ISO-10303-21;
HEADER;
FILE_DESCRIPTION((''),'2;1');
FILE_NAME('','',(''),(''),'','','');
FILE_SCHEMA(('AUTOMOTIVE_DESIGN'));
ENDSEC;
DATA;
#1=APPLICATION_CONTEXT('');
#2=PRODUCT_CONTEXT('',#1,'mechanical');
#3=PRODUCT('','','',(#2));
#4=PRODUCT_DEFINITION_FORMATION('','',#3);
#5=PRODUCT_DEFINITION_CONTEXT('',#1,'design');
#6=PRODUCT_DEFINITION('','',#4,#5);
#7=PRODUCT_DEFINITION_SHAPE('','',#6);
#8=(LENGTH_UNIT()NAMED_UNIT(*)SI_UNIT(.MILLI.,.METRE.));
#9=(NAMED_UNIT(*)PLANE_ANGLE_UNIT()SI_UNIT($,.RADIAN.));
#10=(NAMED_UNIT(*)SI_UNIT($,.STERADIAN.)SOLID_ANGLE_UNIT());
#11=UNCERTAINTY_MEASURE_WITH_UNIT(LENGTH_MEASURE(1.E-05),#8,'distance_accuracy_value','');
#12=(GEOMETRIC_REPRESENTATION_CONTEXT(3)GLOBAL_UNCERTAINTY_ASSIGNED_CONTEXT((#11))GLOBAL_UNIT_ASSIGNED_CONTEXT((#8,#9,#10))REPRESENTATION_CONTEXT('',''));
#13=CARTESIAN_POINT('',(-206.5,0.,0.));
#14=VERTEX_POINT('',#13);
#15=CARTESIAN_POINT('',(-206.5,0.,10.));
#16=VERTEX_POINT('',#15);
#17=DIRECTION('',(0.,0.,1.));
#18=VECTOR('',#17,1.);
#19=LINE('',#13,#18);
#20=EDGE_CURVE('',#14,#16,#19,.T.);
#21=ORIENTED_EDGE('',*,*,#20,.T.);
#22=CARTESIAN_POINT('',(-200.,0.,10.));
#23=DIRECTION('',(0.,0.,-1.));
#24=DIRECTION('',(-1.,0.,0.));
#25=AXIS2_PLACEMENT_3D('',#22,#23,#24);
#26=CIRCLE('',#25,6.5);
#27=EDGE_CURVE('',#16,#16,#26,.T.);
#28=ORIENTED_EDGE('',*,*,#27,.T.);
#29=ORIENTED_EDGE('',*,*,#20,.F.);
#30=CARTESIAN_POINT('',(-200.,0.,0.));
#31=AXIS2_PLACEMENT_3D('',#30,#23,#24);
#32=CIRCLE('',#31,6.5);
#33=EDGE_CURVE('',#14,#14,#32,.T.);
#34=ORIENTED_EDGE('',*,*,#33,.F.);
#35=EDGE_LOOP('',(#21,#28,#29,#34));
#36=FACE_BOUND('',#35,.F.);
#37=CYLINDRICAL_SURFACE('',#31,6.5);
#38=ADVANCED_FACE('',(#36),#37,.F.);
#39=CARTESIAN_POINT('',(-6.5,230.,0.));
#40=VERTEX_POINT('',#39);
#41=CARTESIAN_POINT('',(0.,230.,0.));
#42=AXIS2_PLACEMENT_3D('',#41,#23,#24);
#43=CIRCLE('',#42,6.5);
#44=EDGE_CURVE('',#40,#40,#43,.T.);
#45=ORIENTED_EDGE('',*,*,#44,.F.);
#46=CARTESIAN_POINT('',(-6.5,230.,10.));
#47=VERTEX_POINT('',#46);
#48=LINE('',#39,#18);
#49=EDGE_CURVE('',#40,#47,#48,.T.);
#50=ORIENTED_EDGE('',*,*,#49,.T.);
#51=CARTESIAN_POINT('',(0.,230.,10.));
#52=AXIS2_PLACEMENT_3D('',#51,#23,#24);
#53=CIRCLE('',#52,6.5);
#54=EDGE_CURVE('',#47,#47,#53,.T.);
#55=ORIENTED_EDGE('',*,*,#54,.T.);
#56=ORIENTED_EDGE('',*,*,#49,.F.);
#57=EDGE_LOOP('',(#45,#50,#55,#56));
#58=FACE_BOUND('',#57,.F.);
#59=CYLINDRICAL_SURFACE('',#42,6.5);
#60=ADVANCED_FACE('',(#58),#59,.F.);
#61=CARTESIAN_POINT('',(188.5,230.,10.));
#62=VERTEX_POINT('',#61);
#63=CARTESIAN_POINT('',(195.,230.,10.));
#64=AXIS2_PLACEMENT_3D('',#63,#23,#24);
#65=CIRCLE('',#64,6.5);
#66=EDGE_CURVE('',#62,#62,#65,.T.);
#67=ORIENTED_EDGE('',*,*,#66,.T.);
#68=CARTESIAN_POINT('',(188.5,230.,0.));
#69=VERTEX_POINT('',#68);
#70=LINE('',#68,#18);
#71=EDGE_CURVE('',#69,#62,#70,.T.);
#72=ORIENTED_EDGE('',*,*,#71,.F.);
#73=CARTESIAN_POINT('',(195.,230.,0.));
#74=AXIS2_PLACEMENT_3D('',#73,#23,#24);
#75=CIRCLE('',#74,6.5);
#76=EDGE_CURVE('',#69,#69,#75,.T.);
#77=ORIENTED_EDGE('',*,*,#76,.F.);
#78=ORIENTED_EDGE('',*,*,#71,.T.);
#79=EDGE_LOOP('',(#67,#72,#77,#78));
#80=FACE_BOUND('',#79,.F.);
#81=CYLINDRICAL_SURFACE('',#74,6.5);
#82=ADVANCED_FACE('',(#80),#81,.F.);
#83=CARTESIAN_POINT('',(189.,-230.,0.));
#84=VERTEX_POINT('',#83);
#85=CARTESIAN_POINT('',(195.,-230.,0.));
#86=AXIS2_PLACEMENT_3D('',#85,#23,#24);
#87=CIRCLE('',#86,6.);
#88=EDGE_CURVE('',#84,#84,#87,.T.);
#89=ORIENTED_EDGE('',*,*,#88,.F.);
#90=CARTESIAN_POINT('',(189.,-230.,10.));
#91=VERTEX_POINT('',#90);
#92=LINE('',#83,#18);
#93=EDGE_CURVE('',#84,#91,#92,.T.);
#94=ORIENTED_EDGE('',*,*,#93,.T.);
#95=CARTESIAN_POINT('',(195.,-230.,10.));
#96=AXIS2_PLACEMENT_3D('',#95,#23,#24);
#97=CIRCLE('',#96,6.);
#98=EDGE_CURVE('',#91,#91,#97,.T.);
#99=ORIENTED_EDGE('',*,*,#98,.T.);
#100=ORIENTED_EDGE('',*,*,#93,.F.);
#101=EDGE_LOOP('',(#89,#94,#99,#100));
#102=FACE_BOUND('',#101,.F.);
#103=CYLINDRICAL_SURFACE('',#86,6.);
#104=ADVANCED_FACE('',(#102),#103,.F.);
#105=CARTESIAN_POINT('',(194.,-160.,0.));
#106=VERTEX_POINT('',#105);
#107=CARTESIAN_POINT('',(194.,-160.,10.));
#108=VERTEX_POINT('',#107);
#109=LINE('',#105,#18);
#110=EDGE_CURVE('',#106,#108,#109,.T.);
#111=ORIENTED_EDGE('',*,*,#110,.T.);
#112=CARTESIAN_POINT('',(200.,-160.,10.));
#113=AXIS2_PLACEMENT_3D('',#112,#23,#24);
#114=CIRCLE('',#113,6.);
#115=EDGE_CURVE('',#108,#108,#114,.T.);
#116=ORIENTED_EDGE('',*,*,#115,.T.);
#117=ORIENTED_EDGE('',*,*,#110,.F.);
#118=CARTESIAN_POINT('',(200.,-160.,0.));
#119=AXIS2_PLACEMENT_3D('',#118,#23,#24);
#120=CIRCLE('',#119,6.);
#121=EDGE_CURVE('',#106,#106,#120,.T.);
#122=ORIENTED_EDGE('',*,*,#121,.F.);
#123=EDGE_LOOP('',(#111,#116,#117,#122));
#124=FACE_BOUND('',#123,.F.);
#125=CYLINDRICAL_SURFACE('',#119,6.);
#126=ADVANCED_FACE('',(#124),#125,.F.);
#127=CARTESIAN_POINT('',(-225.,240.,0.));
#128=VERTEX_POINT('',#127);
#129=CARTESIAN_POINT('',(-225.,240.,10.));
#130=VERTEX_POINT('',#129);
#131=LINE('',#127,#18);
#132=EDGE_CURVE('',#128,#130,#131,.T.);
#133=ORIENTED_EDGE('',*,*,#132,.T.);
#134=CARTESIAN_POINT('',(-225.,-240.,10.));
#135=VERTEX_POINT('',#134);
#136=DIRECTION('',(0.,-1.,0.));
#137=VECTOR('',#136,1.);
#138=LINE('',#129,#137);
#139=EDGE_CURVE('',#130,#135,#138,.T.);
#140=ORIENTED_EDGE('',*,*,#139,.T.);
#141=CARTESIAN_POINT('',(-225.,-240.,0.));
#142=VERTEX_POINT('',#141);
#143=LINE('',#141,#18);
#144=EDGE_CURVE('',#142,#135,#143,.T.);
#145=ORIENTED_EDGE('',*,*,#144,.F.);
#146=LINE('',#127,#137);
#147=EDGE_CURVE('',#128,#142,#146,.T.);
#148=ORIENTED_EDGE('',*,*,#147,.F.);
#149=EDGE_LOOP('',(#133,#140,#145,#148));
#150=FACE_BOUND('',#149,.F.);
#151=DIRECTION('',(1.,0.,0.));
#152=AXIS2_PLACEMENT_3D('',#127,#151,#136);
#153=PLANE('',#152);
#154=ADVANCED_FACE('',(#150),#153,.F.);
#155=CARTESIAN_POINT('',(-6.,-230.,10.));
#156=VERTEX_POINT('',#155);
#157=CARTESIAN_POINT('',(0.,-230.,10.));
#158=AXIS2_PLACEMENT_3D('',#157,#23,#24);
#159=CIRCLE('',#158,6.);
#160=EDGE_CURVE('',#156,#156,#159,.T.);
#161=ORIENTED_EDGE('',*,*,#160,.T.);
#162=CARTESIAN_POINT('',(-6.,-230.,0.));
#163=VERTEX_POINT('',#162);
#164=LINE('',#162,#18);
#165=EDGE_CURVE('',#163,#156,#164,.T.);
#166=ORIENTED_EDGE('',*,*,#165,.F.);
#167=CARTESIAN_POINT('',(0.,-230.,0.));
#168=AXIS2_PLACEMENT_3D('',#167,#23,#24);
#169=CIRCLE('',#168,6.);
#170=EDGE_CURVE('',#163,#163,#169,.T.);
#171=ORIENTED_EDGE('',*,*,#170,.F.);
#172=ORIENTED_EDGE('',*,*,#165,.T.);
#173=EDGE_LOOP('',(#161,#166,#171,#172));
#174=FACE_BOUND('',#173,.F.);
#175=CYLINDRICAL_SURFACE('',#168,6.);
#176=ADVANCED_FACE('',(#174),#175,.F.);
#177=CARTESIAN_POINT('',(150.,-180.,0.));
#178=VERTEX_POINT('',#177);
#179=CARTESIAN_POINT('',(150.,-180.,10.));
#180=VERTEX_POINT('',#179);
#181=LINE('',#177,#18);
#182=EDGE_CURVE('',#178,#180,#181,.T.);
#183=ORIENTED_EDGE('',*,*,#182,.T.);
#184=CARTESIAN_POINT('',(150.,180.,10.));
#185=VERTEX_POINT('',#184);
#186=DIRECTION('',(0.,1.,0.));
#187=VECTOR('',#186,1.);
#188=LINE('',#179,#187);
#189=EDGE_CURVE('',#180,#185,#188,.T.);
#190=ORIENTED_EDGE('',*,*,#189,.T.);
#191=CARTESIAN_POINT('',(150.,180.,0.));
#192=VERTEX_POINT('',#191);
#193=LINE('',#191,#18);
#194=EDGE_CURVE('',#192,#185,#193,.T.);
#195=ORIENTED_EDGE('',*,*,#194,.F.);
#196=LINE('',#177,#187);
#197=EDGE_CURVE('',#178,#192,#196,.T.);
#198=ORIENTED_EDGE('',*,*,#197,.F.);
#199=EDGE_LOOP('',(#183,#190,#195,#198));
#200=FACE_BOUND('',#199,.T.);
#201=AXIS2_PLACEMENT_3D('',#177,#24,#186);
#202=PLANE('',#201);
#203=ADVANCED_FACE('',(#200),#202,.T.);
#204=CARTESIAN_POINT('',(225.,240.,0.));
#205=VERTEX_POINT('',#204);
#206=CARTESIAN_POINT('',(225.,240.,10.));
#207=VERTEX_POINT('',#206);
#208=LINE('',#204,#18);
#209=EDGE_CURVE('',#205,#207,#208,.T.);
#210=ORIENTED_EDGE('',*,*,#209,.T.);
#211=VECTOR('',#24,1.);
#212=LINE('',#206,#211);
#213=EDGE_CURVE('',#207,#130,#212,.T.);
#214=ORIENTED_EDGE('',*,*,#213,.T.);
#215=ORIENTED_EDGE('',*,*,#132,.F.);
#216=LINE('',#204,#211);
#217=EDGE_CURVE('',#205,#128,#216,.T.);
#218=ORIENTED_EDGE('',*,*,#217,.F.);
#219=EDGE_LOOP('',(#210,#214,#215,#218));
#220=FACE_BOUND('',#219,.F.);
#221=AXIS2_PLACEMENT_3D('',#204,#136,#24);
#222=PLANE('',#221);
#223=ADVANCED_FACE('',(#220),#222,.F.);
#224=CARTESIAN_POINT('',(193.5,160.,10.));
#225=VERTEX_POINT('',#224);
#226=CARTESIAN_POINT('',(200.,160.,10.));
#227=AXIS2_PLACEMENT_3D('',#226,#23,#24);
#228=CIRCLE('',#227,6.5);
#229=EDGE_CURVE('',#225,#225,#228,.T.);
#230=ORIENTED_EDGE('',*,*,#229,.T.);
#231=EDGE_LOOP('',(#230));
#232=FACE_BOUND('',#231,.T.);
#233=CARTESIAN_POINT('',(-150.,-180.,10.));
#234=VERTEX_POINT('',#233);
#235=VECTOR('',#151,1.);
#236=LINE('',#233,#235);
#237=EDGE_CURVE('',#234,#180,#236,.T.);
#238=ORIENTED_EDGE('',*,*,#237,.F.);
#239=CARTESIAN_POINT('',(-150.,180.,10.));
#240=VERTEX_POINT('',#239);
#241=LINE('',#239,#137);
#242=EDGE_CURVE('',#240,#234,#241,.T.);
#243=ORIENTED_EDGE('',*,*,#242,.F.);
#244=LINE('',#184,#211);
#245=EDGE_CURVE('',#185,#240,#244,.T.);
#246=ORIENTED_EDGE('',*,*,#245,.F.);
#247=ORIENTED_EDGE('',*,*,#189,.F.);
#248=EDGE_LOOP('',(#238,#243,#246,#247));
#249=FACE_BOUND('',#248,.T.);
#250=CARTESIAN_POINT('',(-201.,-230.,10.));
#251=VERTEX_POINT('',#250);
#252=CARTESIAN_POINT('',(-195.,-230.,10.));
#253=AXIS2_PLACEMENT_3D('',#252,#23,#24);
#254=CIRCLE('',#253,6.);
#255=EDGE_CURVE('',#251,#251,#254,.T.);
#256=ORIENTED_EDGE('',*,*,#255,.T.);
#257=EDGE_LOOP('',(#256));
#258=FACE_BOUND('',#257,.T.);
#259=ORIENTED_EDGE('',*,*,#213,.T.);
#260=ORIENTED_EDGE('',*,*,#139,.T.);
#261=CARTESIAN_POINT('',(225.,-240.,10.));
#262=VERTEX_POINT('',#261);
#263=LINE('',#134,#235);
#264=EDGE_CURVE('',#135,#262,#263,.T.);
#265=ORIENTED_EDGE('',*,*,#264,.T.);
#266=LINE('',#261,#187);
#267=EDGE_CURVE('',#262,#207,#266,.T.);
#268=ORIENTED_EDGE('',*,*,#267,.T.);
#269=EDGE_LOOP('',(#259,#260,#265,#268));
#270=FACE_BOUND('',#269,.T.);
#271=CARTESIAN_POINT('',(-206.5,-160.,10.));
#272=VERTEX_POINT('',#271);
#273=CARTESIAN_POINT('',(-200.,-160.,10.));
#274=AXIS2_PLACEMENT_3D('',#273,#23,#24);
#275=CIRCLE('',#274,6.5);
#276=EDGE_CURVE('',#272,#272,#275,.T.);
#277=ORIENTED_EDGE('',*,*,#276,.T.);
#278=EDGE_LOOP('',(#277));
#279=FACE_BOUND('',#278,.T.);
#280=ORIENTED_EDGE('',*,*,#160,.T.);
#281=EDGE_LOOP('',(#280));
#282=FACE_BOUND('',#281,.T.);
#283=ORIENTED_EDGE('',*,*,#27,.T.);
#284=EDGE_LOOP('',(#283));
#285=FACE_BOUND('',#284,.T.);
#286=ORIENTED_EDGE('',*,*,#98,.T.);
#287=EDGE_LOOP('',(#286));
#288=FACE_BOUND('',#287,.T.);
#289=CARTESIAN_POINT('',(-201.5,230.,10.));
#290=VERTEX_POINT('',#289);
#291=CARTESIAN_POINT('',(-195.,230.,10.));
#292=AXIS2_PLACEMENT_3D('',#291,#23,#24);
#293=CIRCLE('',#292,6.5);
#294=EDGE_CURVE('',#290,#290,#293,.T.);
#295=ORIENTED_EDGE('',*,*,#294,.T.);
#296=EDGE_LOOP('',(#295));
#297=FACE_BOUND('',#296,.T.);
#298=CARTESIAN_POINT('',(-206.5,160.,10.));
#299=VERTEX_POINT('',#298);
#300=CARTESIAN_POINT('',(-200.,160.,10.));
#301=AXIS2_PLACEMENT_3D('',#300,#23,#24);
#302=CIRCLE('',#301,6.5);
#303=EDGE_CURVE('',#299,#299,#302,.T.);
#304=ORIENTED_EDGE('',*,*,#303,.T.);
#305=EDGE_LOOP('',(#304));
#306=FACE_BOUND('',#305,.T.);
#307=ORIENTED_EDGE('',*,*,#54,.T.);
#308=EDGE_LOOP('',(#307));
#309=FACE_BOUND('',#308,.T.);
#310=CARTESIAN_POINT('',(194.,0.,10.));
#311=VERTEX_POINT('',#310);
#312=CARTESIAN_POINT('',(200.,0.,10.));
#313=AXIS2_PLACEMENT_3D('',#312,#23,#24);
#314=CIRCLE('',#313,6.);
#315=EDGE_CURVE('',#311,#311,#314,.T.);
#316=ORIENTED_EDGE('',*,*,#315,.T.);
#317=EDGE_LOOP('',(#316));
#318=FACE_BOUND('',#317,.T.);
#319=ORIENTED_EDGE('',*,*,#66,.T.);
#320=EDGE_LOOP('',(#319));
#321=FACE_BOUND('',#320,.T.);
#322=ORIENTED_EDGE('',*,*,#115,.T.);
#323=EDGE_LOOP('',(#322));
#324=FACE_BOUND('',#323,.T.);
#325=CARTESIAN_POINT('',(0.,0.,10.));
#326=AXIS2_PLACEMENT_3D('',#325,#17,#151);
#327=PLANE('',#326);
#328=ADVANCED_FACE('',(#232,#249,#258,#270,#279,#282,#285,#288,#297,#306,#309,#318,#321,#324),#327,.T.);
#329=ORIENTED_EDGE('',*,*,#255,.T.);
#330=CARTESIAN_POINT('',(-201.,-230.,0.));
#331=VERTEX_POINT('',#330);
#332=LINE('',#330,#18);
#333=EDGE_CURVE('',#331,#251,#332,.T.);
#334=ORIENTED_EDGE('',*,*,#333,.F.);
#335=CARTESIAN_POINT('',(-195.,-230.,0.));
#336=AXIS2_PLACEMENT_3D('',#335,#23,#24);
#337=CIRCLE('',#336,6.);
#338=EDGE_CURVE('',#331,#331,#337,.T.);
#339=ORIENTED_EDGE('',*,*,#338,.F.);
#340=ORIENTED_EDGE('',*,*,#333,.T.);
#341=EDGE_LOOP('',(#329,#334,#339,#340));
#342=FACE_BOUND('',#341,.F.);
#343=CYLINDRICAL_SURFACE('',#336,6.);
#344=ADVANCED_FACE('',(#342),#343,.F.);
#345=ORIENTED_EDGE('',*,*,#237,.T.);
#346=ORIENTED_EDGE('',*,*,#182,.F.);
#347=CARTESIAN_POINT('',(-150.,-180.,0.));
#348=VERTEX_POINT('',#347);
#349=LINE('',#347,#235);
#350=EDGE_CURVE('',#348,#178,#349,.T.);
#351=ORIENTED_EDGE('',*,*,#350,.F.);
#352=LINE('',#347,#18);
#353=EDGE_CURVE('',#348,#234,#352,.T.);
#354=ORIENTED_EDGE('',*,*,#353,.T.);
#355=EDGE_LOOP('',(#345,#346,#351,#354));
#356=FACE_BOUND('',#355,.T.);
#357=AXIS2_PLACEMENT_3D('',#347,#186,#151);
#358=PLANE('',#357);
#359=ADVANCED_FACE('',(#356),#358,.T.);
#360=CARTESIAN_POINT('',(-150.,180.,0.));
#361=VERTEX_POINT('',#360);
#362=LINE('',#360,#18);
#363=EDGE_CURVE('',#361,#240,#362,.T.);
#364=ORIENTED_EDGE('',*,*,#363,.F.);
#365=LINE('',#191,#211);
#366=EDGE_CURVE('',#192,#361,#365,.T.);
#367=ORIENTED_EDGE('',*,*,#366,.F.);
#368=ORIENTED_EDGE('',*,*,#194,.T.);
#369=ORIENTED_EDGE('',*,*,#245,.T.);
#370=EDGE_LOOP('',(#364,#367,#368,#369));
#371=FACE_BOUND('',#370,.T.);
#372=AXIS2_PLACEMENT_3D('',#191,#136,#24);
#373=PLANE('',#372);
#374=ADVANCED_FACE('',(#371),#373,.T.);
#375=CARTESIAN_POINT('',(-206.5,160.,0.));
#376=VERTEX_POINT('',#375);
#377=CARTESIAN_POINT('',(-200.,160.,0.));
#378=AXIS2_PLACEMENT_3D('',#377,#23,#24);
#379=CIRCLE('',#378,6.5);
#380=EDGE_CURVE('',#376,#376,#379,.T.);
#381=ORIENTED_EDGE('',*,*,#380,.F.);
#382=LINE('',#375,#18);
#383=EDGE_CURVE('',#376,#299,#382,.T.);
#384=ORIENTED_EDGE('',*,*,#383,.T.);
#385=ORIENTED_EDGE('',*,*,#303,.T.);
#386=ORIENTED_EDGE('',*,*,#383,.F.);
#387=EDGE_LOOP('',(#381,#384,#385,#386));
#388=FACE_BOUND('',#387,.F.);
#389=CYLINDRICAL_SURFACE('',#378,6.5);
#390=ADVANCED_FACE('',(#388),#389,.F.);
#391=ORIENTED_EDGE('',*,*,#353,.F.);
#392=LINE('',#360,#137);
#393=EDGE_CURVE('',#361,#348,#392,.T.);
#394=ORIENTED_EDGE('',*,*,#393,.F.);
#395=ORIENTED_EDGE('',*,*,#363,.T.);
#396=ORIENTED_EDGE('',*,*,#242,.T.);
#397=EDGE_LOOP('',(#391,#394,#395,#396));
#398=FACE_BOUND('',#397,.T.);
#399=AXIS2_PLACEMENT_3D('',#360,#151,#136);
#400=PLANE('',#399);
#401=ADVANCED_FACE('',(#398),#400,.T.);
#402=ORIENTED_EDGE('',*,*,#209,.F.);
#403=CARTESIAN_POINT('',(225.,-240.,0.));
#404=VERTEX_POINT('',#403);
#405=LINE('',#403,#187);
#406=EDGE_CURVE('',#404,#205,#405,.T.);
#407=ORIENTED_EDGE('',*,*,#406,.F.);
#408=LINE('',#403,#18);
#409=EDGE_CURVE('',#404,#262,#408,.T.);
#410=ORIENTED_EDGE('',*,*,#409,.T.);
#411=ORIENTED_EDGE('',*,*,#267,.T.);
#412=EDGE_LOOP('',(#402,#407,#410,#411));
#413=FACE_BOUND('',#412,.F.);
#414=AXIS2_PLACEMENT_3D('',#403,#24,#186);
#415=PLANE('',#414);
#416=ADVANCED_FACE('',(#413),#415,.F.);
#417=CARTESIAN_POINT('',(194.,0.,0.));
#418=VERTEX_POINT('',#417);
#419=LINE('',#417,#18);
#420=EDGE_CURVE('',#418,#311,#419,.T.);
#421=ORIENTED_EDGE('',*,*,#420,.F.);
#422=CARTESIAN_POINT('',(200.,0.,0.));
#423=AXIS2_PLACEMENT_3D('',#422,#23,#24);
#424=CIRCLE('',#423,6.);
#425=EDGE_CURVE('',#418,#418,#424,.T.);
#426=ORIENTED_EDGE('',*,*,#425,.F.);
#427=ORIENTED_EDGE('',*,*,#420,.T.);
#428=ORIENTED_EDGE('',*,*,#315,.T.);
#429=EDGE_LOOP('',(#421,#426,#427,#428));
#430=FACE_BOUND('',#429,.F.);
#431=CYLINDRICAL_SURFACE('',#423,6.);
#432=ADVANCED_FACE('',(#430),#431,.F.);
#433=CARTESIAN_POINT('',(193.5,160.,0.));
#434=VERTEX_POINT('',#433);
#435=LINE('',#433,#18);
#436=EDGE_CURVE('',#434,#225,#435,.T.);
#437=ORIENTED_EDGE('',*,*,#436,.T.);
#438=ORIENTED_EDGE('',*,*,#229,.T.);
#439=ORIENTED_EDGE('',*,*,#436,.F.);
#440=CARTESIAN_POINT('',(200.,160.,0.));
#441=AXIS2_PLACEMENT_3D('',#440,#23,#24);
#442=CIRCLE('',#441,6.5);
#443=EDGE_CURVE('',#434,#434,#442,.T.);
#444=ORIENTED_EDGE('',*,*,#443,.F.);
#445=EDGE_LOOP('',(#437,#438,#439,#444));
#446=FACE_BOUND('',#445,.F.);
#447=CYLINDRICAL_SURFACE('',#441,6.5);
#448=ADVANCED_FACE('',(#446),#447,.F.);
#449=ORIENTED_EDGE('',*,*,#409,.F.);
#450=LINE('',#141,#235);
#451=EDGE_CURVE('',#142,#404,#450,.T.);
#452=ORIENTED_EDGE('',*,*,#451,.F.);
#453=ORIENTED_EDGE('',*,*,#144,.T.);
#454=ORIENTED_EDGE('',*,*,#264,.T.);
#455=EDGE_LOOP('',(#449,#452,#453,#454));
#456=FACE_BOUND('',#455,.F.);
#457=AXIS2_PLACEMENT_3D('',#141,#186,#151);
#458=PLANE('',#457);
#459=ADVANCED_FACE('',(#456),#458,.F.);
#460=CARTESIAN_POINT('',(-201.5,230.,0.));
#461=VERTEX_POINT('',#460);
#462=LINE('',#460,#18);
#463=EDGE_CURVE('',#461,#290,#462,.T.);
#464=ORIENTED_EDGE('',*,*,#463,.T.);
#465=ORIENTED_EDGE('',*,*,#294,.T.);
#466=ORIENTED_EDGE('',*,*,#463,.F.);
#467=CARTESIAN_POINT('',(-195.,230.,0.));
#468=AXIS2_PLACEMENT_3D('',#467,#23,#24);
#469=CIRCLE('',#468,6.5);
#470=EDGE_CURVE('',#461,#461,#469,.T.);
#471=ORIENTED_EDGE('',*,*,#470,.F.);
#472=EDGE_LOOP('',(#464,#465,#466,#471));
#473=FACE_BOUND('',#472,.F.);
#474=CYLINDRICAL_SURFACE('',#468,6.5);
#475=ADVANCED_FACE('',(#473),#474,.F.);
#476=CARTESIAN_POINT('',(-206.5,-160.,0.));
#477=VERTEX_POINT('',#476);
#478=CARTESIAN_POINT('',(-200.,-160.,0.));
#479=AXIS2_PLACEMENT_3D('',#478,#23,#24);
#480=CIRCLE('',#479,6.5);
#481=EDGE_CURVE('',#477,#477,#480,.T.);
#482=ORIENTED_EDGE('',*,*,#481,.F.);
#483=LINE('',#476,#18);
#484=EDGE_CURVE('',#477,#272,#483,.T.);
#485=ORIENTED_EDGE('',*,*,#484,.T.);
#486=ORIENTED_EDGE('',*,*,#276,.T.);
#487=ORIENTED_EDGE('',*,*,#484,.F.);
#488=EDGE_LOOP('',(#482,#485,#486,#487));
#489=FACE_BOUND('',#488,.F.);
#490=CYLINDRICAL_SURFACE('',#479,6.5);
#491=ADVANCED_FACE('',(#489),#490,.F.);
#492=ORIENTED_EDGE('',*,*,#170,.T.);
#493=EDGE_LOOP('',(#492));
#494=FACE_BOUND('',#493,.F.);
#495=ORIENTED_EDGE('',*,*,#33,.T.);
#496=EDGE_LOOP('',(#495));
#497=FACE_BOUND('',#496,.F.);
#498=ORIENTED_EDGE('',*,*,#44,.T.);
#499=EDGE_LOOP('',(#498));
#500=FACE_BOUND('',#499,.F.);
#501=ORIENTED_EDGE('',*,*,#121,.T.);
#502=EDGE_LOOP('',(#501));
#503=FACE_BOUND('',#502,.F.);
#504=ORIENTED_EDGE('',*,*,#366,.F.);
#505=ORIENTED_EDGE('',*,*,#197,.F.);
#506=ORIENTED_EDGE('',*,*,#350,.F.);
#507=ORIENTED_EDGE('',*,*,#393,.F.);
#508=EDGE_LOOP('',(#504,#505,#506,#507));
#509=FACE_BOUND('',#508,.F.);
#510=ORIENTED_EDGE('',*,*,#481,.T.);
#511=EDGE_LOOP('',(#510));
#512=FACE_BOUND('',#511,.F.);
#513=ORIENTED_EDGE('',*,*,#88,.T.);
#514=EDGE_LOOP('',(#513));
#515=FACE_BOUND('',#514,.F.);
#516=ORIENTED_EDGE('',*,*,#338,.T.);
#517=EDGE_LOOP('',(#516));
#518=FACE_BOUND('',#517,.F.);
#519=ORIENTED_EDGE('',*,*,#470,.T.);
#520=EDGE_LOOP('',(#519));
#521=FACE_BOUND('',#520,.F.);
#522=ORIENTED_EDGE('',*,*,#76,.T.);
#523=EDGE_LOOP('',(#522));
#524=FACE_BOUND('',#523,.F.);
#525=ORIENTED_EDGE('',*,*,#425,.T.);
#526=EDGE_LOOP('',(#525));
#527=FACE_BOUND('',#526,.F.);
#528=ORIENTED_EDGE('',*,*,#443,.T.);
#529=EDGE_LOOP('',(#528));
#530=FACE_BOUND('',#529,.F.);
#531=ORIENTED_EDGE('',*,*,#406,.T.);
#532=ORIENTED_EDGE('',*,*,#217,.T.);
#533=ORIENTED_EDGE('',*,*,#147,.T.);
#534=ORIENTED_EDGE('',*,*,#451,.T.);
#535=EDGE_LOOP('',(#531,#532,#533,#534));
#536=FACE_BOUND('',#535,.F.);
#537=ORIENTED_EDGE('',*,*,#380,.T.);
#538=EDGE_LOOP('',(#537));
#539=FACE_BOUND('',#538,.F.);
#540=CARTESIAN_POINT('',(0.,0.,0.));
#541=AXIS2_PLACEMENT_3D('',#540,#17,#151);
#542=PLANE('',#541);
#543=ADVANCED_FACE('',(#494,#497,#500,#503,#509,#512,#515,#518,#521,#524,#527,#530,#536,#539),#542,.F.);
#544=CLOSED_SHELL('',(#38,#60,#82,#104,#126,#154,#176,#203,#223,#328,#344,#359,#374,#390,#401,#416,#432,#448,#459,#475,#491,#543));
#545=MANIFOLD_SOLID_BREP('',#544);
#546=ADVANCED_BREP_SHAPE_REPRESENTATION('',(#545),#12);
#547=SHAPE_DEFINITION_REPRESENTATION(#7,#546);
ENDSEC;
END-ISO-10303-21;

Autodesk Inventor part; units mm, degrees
ref_plane "YZ Plane" through (0, 0, 0) normal (1, 0, 0) x (0, 1, 0)
ref_plane "XZ Plane" through (0, 0, 0) normal (0, 1, 0) x (-1, 0, 0)
ref_plane "XY Plane" through (0, 0, 0) normal (0, 0, 1) x (1, 0, 0)
sketch "Sketch3" plane through (0, 0, 0) normal (0, 0, 1) x (1, 0, 0)
  line L0 (225, 240) -> (-225, 240)
  line L1 (-225, 240) -> (-225, -240)
  line L2 (-225, -240) -> (225, -240)
  line L3 (225, -240) -> (225, 240)
  line L4 (225, 240) -> (-225, -240) construction
  line L5 (-225, 240) -> (225, -240) construction
  line L6 (150, 180) -> (-150, 180)
  line L7 (-150, 180) -> (-150, -180)
  line L8 (-150, -180) -> (150, -180)
  line L9 (150, -180) -> (150, 180)
  line L10 (150, 180) -> (-150, -180) construction
  line L11 (-150, 180) -> (150, -180) construction
  point P0 (0, 0)
  dimension "d22" = 450
  dimension "d23" = 480
  dimension "d24" = 300
  dimension "d25" = 360
extrude "Plate3" add sketch "Sketch3" along normal blind 10
sketch "Sketch4" plane through (0, 0, 0) normal (0, 0, -1) x (-1, 0, 0)
  circle A0 centre (0, 230) radius 6.5 projected
  circle A1 centre (195, 230) radius 6.5 projected
  circle A2 centre (-195, 230) radius 6.5 projected
  circle A3 centre (-200, 160) radius 6.5 projected
  circle A4 centre (-200, 0) radius 6 projected
  circle A5 centre (-200, -160) radius 6 projected
  circle A6 centre (-195, -230) radius 6 projected
  circle A7 centre (0, -230) radius 6 projected
  circle A8 centre (195, -230) radius 6 projected
  circle A9 centre (200, -160) radius 6.5 projected
  circle A10 centre (200, 0) radius 6.5 projected
  circle A11 centre (200, 160) radius 6.5 projected
  point P0 (0, 0)
extrude "Cut1" cut sketch "Sketch4" against normal blind 10
equation "\"d26\" = Thickness"
equation "\"d18\" = Thickness"
equation "\"BendReliefDepth\" = 0.5 * Thickness"
equation "\"Thickness\" = 10"
properties part number "NVPH-305 main flange"
